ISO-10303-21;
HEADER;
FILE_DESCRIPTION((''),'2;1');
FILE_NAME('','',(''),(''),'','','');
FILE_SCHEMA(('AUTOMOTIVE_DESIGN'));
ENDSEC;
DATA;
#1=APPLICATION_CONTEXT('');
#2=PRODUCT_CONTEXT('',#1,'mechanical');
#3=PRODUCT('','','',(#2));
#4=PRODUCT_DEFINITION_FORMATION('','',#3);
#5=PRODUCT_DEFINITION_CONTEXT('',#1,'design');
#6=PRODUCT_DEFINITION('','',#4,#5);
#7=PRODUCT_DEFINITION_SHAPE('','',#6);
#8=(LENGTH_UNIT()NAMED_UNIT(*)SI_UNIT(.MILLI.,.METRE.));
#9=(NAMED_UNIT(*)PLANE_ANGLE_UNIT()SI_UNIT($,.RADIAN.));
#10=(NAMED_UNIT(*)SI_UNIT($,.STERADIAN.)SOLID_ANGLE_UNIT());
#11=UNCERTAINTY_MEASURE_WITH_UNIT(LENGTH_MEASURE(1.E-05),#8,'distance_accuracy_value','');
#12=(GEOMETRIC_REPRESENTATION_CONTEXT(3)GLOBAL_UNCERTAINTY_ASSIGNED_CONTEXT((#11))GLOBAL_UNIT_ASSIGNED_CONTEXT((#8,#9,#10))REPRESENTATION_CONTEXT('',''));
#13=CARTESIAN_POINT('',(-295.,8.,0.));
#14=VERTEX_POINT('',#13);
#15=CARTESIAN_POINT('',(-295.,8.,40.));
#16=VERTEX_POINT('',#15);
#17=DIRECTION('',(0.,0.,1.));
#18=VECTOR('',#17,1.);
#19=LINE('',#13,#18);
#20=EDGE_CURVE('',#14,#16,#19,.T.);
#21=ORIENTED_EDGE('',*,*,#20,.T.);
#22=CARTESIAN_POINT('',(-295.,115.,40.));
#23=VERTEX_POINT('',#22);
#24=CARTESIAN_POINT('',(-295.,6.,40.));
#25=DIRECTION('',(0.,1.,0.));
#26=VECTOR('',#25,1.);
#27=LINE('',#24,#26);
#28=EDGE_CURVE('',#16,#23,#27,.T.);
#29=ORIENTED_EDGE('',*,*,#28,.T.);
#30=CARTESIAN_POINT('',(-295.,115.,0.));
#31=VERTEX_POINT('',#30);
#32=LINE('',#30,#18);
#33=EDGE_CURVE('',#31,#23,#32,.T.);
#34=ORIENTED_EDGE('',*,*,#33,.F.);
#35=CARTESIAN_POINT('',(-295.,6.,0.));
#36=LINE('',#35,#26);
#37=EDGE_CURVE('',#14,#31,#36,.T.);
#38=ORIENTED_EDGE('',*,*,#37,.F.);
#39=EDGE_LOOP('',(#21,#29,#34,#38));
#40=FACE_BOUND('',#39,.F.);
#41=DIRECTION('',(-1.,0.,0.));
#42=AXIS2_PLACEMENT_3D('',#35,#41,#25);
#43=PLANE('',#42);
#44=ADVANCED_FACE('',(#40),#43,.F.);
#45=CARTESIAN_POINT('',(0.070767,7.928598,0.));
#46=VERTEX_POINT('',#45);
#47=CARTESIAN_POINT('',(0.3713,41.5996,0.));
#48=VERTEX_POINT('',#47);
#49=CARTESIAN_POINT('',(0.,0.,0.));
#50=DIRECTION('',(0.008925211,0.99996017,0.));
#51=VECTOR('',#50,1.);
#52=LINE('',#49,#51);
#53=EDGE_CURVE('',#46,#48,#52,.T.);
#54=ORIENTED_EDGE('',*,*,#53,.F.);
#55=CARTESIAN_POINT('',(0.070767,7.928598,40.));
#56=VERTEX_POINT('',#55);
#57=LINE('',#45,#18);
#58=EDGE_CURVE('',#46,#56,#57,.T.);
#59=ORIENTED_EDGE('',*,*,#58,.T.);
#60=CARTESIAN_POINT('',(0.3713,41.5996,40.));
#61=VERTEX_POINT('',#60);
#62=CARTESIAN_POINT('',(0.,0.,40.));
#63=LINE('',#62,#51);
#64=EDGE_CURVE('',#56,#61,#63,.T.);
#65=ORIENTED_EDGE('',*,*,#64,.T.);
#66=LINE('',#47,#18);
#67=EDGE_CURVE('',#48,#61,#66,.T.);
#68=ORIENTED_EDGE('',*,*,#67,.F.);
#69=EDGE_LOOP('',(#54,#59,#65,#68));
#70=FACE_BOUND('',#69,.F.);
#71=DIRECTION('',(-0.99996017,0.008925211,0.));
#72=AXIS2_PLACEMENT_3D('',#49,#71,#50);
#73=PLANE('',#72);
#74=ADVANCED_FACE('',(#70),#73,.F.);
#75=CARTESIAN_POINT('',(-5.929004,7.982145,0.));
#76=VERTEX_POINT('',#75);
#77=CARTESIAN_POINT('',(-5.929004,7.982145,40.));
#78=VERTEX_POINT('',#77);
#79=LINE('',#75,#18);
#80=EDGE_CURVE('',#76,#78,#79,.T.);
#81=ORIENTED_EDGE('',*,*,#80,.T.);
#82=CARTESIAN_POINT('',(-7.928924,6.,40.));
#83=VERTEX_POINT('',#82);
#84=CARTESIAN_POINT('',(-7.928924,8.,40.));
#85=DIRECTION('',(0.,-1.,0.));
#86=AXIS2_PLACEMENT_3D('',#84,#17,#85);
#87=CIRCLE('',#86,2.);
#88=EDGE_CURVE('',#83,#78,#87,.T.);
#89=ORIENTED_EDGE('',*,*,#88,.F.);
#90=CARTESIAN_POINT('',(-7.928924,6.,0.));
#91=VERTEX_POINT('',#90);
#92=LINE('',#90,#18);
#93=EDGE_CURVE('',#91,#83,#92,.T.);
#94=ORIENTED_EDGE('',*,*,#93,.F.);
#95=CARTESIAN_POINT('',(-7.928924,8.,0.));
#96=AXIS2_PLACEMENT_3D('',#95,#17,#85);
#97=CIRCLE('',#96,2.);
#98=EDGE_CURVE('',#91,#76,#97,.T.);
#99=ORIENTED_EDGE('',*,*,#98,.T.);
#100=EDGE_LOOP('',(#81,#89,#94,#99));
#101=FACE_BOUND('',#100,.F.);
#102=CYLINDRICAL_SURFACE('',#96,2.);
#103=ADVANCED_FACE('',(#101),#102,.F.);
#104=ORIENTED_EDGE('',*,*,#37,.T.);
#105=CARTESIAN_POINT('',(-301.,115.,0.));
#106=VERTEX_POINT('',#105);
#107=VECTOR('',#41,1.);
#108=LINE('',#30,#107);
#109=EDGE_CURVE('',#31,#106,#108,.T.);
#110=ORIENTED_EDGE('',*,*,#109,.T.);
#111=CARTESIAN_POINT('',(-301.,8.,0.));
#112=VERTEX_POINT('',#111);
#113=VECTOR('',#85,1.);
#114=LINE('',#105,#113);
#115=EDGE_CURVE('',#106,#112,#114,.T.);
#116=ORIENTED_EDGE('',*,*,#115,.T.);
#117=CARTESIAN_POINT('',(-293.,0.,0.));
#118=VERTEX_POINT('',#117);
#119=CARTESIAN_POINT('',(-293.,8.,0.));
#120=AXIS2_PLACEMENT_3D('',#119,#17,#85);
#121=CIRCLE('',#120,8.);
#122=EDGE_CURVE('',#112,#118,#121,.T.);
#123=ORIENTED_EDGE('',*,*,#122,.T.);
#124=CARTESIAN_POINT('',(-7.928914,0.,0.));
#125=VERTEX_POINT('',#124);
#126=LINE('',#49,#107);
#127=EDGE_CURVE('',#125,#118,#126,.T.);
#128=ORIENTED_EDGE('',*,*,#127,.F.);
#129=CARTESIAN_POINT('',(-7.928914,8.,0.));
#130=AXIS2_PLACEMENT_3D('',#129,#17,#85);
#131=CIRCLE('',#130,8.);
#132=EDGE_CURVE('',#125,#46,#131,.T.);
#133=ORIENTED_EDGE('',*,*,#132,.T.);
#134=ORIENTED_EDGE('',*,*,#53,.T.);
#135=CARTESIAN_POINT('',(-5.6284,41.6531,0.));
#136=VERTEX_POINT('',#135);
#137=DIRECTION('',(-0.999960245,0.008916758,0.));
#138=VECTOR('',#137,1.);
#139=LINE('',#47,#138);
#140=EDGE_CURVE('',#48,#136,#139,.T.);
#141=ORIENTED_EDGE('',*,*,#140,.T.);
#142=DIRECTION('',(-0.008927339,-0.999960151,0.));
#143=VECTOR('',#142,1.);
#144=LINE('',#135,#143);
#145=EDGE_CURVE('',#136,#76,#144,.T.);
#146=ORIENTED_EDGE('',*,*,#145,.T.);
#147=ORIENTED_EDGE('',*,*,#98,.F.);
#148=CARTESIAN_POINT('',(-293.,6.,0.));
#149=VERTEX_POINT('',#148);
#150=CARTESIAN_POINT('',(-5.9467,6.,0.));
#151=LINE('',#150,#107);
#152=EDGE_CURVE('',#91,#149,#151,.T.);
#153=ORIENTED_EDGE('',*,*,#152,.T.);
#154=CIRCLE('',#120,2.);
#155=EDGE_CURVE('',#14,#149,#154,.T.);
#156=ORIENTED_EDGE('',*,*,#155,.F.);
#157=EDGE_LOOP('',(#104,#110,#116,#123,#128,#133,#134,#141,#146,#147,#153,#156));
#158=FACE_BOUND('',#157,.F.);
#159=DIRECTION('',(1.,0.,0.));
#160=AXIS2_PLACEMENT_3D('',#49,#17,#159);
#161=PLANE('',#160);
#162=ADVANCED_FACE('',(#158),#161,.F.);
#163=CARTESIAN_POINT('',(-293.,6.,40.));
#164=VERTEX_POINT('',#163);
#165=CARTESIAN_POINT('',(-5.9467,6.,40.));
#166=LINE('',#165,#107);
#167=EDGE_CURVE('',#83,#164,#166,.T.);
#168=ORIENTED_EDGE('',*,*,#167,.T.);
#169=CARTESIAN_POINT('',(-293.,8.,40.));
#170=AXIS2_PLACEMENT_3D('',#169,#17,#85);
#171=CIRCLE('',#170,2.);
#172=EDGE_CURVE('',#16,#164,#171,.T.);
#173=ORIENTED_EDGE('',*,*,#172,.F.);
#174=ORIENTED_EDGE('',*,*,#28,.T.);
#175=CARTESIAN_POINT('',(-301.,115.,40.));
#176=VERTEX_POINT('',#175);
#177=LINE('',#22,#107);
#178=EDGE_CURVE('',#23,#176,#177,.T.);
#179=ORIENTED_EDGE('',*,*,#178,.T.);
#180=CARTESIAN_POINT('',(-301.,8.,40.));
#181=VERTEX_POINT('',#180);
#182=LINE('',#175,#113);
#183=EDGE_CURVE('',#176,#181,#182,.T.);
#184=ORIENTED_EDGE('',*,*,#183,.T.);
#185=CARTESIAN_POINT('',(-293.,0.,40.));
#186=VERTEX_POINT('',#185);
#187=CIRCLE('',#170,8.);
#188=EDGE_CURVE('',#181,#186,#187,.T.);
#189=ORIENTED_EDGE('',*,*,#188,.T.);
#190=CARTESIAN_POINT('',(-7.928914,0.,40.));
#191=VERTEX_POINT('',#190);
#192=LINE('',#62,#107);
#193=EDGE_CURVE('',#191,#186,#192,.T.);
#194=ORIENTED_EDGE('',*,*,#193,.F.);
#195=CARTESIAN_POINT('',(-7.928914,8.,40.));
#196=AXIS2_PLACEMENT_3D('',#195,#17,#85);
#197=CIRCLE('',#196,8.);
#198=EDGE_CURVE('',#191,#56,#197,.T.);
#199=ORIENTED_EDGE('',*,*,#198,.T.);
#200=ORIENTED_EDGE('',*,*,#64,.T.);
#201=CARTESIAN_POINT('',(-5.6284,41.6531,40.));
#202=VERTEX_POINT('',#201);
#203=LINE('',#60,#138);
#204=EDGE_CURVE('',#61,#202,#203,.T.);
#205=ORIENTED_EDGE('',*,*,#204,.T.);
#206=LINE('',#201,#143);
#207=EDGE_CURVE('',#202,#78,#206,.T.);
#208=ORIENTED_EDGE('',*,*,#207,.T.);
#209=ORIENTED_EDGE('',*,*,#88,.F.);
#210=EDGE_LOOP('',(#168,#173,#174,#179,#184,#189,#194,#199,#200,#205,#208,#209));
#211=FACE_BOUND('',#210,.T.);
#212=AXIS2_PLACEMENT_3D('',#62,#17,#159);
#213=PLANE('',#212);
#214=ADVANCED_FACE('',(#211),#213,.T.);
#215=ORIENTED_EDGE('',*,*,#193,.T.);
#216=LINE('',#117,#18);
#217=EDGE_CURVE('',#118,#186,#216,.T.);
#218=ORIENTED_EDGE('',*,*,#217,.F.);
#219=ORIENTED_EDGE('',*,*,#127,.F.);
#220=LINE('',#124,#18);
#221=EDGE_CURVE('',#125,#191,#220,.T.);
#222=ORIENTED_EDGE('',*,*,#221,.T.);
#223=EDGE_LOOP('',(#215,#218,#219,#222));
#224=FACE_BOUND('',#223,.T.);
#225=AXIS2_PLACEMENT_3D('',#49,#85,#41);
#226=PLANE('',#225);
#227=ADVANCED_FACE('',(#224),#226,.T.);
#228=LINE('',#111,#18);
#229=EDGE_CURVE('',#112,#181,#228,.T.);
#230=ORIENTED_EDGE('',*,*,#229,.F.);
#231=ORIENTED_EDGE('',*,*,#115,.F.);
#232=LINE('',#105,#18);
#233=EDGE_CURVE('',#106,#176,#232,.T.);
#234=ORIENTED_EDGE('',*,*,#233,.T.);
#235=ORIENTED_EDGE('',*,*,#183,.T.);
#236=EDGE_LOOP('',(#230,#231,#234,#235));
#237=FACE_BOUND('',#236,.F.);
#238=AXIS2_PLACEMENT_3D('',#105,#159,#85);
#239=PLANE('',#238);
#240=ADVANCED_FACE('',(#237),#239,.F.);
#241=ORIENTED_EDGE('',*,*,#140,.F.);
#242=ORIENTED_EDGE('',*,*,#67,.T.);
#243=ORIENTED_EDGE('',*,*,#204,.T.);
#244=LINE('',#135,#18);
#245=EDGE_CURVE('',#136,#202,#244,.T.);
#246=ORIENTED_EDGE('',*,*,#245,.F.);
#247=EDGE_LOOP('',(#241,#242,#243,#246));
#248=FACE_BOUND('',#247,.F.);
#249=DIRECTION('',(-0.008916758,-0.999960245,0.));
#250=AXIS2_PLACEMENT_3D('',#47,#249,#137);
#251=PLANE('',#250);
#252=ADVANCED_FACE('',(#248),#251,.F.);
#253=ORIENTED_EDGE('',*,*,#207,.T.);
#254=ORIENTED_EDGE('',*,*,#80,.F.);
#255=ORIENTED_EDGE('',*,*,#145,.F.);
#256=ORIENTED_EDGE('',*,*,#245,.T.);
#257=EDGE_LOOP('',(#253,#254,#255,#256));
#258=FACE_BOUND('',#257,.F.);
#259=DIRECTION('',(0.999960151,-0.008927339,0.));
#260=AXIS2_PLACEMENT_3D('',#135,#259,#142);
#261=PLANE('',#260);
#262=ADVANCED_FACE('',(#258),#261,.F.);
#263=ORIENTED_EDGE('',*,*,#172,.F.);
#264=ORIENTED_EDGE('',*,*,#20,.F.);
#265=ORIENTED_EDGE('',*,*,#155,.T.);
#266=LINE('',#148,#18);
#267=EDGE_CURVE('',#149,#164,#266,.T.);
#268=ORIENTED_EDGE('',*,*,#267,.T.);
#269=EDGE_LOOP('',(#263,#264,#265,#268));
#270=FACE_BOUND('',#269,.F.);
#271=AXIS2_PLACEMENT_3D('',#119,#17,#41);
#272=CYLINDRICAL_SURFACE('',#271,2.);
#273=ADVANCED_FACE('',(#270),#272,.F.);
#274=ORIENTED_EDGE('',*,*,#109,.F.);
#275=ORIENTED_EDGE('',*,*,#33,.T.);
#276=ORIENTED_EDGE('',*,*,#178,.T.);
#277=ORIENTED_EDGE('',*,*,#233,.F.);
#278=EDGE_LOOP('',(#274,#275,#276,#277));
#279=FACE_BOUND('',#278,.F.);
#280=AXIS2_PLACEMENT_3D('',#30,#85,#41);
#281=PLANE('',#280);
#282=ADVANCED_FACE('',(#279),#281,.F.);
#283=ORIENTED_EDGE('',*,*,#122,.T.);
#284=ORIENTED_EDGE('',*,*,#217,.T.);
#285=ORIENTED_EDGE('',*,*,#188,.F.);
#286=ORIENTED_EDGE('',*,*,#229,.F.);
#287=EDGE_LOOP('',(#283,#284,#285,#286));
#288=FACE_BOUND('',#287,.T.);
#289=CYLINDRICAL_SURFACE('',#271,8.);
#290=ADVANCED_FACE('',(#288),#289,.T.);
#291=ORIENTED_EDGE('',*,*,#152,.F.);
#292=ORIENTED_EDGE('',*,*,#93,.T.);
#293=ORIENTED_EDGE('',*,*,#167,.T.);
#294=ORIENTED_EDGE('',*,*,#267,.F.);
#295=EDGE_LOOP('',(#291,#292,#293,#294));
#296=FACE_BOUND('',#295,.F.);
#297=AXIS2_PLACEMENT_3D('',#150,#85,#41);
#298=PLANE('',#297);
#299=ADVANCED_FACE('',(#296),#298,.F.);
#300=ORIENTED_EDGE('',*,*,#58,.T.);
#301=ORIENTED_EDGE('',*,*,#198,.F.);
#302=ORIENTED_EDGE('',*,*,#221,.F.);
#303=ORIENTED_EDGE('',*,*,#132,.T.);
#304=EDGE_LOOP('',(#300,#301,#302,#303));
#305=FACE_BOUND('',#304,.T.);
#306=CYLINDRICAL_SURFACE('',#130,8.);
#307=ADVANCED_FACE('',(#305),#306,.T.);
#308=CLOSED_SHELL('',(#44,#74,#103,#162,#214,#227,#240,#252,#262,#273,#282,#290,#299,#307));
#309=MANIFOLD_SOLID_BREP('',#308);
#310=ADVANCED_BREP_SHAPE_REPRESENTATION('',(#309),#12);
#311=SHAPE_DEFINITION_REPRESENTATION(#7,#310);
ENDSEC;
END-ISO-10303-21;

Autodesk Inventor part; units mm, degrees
ref_plane "YZ Plane" through (0, 0, 0) normal (1, 0, 0) x (0, 1, 0)
ref_plane "XZ Plane" through (0, 0, 0) normal (0, 1, 0) x (-1, 0, 0)
ref_plane "XY Plane" through (0, 0, 0) normal (0, 0, 1) x (1, 0, 0)
sketch "Sketch1" plane through (0, 0, 0) normal (0, 0, 1) x (1, 0, 0)
  line L0 (0, 138) -> (0, -23) construction
  line L1 (-361.2743, 0) -> (60.6456, 0) construction
  line L2 (0, 0) -> (0.3713, 41.5996)
  line L3 (0.3713, 41.5996) -> (-5.6284, 41.6531)
  line L4 (-5.6284, 41.6531) -> (-5.9467, 6)
  line L5 (-5.9467, 6) -> (-295, 6)
  line L6 (-295, 6) -> (-295, 115)
  line L7 (-295, 115) -> (-301, 115)
  line L8 (-301, 115) -> (-301, 0)
  line L9 (0, 0) -> (-301, 0)
  dimension "d4" = 41.5996
  dimension "d5" = 301
  dimension "d6" = 115
  dimension "d7" = 6
  dimension "d8" = 6
  dimension "d9" = 6
extrude "Extrusion3" add sketch "Sketch1" along normal blind 40
fillet "Fillet1" radius 2 2 edges at (-5.9467, 6, 20) (-295, 6, 20)
fillet "Fillet2" radius 8 2 edges at (0, 0, 20) (-301, 0, 20)
equation "\"d8\" = d7"
equation "\"d9\" = d7"
properties part number "17-0028-0119" material "Copper"
